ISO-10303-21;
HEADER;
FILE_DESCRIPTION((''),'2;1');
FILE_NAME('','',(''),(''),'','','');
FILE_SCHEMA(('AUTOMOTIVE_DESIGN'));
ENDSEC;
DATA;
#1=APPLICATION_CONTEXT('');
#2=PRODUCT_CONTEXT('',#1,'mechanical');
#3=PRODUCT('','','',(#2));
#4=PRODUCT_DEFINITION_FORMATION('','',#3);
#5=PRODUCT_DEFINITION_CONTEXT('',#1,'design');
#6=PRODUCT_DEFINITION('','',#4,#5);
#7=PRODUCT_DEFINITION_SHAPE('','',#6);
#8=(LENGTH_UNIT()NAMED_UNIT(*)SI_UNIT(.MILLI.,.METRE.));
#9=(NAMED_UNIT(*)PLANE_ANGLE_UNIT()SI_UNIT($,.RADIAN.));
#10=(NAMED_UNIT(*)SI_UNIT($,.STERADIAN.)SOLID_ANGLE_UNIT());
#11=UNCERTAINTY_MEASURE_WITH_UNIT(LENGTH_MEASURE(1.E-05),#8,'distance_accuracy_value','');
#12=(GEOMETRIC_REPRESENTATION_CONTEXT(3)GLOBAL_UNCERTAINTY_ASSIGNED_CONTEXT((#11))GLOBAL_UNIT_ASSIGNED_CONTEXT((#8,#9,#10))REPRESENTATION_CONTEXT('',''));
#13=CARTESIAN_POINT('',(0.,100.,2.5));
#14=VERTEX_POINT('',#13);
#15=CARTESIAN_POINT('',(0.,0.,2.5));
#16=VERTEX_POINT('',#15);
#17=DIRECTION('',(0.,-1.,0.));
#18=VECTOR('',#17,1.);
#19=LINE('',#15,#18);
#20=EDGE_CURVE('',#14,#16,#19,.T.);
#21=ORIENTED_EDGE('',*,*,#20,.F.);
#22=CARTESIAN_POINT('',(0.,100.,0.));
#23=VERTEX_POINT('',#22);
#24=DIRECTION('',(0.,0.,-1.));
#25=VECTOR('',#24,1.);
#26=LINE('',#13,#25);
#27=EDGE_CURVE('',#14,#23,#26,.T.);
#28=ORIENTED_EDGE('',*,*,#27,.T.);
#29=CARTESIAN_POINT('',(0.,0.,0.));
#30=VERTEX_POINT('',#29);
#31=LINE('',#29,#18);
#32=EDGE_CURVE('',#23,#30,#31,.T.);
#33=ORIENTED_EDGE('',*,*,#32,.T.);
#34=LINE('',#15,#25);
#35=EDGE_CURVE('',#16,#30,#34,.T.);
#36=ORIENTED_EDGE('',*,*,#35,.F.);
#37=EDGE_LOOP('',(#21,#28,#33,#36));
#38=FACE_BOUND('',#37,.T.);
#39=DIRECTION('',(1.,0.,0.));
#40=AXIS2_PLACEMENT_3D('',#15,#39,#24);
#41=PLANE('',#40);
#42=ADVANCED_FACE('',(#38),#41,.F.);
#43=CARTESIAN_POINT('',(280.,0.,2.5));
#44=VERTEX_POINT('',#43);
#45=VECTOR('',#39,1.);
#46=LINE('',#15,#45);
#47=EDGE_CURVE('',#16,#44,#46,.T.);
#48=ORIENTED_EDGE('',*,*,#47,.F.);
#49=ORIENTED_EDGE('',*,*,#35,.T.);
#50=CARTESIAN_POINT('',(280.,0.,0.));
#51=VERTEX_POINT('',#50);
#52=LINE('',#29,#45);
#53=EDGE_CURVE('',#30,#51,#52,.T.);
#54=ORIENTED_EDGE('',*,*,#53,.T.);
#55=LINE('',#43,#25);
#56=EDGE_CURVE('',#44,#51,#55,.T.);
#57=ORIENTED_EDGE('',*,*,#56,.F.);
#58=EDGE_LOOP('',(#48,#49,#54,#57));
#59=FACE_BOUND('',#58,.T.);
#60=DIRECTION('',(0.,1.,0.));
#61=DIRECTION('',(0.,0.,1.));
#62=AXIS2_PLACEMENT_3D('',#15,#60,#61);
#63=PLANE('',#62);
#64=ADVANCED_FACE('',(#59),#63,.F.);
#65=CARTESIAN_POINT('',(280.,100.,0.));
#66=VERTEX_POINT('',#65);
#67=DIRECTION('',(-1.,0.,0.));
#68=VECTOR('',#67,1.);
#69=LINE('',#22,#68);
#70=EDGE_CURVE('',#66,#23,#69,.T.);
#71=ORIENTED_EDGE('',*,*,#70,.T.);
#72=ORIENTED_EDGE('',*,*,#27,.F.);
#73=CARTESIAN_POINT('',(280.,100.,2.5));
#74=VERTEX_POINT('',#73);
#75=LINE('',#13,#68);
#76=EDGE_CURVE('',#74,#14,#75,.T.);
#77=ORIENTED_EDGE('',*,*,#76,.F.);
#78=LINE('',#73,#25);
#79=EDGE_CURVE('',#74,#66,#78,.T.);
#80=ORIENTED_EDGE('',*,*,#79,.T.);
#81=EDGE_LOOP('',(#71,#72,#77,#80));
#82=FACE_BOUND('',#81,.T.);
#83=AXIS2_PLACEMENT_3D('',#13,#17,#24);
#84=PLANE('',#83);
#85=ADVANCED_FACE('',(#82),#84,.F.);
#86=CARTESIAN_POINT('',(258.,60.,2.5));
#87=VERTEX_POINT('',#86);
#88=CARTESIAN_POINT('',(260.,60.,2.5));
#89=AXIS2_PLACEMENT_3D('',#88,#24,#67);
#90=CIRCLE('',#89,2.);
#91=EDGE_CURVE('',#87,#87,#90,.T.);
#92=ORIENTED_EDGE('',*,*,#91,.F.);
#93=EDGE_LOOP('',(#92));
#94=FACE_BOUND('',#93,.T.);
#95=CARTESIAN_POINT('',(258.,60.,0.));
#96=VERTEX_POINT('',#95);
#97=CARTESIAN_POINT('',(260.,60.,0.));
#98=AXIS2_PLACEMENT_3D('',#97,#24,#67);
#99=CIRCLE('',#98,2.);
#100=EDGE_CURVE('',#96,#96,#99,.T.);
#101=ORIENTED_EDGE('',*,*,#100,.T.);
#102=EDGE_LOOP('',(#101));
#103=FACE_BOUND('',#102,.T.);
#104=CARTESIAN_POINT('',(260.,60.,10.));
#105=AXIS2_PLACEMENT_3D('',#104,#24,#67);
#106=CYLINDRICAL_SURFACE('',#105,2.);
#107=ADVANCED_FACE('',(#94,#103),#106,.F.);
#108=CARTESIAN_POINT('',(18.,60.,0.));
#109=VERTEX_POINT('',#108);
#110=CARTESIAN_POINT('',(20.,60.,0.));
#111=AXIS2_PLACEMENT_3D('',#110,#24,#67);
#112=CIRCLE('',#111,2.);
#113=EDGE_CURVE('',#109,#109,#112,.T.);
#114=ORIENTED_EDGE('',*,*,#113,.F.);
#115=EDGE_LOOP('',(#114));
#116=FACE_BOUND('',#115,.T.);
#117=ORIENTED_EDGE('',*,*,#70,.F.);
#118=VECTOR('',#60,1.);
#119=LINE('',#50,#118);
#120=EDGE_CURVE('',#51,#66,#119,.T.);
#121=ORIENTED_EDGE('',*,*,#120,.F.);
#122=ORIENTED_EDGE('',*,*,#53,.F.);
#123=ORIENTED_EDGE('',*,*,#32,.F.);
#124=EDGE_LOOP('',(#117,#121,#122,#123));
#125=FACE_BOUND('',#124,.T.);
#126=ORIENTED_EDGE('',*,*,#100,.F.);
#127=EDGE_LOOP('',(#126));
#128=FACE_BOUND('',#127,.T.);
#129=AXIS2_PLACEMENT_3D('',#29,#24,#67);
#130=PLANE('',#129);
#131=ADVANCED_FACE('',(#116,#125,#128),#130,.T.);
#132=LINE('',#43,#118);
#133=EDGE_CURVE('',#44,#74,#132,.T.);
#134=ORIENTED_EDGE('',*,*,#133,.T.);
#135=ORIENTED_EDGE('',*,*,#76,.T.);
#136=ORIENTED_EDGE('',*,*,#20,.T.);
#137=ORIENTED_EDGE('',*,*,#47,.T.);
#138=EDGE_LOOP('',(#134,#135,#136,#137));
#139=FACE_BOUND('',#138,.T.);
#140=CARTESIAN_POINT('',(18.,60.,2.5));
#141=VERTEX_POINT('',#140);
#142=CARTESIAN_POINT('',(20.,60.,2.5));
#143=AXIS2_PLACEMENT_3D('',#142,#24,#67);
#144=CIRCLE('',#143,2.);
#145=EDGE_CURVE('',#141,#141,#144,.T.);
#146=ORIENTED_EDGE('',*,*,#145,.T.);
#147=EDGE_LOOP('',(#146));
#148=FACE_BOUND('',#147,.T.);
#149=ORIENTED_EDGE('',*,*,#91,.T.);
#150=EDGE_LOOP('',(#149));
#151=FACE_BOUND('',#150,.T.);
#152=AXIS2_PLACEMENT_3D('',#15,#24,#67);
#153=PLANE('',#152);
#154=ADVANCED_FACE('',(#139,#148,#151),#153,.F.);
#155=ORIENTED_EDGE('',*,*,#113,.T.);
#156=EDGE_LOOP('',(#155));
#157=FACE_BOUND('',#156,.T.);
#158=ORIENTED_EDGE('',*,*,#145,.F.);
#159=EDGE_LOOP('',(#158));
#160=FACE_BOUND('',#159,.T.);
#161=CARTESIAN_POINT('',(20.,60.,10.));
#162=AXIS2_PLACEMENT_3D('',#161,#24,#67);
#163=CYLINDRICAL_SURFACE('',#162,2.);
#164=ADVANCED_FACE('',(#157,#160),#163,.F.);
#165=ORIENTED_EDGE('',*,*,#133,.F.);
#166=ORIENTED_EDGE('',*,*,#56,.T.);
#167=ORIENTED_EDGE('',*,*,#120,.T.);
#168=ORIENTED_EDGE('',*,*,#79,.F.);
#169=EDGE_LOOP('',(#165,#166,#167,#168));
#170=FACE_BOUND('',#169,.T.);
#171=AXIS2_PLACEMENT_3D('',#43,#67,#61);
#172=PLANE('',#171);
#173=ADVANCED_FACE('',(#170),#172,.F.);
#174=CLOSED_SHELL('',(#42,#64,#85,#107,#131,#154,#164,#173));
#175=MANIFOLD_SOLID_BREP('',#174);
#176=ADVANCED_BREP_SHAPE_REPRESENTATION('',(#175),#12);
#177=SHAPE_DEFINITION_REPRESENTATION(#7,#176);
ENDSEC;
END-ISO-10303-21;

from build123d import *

# Parameters (mm, degrees)
SCHIZZO1_W                   = 280
SCHIZZO1_H                   = 100
ESTRUSIONE_ESTRUSIONE1_DEPTH = 2.5
SCHIZZO2_R                   = 2
TAGLIO_ESTRUSIONE1_DEPTH     = 10


with BuildPart() as part:
    # Schizzo1 → Estrusione-Estrusione1 (new body)
    with BuildSketch(Plane.XY):
        with Locations((140, 50)):
            Rectangle(SCHIZZO1_W, SCHIZZO1_H)
    extrude(amount=ESTRUSIONE_ESTRUSIONE1_DEPTH)

    # Schizzo2 → Taglio-Estrusione1 (cut)
    with BuildSketch(Plane(origin=(0, 0, 0), x_dir=(-1, 0, 0), z_dir=(0, 0, -1))):
        with Locations((-20, 60)):
            Circle(SCHIZZO2_R)
        with Locations((-260, 60)):
            Circle(SCHIZZO2_R)
    extrude(amount=-TAGLIO_ESTRUSIONE1_DEPTH, mode=Mode.SUBTRACT)


solid = part.part
